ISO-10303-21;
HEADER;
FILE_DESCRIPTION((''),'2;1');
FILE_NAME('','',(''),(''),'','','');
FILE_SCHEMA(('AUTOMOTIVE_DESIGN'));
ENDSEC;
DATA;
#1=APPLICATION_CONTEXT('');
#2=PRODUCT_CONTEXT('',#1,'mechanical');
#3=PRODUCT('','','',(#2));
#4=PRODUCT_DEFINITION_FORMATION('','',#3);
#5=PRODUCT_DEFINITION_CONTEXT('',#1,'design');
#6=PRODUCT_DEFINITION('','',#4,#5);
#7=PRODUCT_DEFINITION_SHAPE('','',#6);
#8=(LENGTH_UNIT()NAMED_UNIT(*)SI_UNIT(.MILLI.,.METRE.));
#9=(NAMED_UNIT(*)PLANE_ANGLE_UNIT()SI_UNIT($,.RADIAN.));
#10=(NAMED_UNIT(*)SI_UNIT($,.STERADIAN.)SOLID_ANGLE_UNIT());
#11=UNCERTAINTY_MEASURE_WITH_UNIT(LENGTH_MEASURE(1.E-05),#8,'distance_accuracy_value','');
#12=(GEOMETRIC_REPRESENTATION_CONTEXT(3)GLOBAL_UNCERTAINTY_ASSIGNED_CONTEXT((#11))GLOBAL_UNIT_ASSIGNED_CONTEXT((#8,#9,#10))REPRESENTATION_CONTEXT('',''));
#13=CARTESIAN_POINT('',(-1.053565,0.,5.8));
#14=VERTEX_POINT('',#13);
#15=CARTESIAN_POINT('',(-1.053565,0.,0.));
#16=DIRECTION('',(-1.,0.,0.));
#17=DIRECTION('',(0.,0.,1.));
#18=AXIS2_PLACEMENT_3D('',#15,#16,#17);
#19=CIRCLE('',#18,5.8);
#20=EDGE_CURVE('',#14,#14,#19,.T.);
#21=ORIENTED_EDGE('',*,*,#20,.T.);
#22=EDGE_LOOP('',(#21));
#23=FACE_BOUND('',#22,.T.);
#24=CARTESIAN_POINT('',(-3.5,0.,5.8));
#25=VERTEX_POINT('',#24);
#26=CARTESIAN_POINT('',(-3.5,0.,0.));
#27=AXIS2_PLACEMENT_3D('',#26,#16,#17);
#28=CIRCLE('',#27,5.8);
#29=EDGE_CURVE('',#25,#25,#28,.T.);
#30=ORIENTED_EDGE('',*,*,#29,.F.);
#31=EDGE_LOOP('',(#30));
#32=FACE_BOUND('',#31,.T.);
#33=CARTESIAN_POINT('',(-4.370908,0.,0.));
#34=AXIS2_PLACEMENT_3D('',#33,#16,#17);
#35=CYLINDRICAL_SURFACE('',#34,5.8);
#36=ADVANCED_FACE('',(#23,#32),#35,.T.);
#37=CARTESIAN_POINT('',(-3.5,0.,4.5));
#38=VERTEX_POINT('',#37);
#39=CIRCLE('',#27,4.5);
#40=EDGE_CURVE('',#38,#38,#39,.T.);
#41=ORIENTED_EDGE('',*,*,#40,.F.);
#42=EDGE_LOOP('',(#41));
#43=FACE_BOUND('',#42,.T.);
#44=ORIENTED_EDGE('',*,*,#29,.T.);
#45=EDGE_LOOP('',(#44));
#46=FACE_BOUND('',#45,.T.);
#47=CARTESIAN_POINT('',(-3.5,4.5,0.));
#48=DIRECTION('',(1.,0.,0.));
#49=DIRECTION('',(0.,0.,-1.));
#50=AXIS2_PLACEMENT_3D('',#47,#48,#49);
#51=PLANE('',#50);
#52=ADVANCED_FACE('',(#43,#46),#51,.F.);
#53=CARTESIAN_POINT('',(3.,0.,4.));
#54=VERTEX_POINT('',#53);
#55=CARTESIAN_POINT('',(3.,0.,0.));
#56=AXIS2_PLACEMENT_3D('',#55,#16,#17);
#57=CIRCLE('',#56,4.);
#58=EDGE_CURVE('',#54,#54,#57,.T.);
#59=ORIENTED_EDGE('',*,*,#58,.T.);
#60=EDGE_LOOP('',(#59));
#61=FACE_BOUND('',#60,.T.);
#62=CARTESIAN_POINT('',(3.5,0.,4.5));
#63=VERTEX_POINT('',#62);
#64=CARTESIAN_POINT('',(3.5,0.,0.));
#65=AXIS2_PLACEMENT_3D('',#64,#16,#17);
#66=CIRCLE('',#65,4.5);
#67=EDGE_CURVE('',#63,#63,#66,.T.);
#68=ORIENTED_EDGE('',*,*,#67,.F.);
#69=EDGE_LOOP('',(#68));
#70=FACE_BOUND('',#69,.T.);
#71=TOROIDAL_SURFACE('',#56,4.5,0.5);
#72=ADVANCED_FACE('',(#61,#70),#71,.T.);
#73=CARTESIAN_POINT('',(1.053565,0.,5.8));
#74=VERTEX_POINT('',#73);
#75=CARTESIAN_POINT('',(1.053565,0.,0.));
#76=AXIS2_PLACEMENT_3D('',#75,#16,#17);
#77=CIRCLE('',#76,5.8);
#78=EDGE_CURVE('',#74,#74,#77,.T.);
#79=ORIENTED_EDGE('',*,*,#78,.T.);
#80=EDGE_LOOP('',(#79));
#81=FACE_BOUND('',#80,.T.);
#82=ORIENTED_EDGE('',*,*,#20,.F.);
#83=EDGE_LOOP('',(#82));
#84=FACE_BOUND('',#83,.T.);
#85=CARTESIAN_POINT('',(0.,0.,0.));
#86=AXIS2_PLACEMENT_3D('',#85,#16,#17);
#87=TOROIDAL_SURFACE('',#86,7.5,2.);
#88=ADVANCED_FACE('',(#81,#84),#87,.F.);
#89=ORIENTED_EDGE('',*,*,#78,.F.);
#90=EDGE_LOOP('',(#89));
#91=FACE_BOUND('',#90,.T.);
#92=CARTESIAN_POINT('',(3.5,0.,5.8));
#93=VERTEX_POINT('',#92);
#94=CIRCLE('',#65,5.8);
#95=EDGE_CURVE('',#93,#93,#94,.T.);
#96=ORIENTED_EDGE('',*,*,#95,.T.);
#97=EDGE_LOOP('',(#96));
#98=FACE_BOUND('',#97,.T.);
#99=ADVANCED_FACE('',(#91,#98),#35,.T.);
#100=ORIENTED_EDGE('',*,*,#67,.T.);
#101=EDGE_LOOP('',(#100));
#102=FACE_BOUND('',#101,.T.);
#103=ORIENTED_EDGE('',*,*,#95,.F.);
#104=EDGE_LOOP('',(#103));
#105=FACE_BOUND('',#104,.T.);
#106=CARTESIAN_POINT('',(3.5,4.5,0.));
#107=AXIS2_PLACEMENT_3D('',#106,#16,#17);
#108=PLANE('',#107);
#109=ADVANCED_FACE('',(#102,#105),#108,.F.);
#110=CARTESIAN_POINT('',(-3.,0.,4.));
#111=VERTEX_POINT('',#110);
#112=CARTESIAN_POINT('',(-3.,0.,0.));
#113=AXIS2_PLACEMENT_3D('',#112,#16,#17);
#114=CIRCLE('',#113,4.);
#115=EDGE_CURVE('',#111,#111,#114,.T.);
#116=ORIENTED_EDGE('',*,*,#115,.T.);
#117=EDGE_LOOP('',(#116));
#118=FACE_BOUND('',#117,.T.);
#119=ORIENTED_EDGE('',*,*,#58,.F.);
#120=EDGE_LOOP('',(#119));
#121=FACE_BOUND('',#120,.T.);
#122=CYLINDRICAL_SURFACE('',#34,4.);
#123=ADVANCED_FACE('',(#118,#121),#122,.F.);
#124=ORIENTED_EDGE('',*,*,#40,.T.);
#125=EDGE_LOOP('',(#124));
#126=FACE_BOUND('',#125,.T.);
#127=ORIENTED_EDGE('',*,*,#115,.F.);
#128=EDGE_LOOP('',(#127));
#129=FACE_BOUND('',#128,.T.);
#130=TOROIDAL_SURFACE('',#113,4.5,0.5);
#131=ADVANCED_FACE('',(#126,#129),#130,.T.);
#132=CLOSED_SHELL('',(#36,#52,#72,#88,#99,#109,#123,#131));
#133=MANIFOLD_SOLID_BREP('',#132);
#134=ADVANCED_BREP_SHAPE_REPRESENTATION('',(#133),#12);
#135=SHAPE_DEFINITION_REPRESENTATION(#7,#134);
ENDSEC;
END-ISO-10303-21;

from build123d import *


with BuildPart() as part:
    # Esquisse1 → Base-Révolution (revolve)
    with BuildSketch(Plane.XY, mode=Mode.PRIVATE) as base_r_volution_sk:
        with BuildLine():
            Line((3.5, 4.5), (3.5, 5.8))
            Line((3.5, 5.8), (1.053565375, 5.8))
            ThreePointArc((1.053565375, 5.8), (0, 5.5), (-1.053565375, 5.8))
            Line((-1.053565375, 5.8), (-3.5, 5.8))
            Line((-3.5, 5.8), (-3.5, 4.5))
            ThreePointArc((-3.5, 4.5), (-3.353553391, 4.146446609), (-3, 4))
            Line((-3, 4), (3, 4))
            ThreePointArc((3, 4), (3.353553391, 4.146446609), (3.5, 4.5))
        make_face()
    revolve(base_r_volution_sk.sketch.rotate(Axis((-4.370908092, 0, 0), (1, 0, 0)), 90), axis=Axis((-4.370908092, 0, 0), (1, 0, 0)))


solid = part.part
